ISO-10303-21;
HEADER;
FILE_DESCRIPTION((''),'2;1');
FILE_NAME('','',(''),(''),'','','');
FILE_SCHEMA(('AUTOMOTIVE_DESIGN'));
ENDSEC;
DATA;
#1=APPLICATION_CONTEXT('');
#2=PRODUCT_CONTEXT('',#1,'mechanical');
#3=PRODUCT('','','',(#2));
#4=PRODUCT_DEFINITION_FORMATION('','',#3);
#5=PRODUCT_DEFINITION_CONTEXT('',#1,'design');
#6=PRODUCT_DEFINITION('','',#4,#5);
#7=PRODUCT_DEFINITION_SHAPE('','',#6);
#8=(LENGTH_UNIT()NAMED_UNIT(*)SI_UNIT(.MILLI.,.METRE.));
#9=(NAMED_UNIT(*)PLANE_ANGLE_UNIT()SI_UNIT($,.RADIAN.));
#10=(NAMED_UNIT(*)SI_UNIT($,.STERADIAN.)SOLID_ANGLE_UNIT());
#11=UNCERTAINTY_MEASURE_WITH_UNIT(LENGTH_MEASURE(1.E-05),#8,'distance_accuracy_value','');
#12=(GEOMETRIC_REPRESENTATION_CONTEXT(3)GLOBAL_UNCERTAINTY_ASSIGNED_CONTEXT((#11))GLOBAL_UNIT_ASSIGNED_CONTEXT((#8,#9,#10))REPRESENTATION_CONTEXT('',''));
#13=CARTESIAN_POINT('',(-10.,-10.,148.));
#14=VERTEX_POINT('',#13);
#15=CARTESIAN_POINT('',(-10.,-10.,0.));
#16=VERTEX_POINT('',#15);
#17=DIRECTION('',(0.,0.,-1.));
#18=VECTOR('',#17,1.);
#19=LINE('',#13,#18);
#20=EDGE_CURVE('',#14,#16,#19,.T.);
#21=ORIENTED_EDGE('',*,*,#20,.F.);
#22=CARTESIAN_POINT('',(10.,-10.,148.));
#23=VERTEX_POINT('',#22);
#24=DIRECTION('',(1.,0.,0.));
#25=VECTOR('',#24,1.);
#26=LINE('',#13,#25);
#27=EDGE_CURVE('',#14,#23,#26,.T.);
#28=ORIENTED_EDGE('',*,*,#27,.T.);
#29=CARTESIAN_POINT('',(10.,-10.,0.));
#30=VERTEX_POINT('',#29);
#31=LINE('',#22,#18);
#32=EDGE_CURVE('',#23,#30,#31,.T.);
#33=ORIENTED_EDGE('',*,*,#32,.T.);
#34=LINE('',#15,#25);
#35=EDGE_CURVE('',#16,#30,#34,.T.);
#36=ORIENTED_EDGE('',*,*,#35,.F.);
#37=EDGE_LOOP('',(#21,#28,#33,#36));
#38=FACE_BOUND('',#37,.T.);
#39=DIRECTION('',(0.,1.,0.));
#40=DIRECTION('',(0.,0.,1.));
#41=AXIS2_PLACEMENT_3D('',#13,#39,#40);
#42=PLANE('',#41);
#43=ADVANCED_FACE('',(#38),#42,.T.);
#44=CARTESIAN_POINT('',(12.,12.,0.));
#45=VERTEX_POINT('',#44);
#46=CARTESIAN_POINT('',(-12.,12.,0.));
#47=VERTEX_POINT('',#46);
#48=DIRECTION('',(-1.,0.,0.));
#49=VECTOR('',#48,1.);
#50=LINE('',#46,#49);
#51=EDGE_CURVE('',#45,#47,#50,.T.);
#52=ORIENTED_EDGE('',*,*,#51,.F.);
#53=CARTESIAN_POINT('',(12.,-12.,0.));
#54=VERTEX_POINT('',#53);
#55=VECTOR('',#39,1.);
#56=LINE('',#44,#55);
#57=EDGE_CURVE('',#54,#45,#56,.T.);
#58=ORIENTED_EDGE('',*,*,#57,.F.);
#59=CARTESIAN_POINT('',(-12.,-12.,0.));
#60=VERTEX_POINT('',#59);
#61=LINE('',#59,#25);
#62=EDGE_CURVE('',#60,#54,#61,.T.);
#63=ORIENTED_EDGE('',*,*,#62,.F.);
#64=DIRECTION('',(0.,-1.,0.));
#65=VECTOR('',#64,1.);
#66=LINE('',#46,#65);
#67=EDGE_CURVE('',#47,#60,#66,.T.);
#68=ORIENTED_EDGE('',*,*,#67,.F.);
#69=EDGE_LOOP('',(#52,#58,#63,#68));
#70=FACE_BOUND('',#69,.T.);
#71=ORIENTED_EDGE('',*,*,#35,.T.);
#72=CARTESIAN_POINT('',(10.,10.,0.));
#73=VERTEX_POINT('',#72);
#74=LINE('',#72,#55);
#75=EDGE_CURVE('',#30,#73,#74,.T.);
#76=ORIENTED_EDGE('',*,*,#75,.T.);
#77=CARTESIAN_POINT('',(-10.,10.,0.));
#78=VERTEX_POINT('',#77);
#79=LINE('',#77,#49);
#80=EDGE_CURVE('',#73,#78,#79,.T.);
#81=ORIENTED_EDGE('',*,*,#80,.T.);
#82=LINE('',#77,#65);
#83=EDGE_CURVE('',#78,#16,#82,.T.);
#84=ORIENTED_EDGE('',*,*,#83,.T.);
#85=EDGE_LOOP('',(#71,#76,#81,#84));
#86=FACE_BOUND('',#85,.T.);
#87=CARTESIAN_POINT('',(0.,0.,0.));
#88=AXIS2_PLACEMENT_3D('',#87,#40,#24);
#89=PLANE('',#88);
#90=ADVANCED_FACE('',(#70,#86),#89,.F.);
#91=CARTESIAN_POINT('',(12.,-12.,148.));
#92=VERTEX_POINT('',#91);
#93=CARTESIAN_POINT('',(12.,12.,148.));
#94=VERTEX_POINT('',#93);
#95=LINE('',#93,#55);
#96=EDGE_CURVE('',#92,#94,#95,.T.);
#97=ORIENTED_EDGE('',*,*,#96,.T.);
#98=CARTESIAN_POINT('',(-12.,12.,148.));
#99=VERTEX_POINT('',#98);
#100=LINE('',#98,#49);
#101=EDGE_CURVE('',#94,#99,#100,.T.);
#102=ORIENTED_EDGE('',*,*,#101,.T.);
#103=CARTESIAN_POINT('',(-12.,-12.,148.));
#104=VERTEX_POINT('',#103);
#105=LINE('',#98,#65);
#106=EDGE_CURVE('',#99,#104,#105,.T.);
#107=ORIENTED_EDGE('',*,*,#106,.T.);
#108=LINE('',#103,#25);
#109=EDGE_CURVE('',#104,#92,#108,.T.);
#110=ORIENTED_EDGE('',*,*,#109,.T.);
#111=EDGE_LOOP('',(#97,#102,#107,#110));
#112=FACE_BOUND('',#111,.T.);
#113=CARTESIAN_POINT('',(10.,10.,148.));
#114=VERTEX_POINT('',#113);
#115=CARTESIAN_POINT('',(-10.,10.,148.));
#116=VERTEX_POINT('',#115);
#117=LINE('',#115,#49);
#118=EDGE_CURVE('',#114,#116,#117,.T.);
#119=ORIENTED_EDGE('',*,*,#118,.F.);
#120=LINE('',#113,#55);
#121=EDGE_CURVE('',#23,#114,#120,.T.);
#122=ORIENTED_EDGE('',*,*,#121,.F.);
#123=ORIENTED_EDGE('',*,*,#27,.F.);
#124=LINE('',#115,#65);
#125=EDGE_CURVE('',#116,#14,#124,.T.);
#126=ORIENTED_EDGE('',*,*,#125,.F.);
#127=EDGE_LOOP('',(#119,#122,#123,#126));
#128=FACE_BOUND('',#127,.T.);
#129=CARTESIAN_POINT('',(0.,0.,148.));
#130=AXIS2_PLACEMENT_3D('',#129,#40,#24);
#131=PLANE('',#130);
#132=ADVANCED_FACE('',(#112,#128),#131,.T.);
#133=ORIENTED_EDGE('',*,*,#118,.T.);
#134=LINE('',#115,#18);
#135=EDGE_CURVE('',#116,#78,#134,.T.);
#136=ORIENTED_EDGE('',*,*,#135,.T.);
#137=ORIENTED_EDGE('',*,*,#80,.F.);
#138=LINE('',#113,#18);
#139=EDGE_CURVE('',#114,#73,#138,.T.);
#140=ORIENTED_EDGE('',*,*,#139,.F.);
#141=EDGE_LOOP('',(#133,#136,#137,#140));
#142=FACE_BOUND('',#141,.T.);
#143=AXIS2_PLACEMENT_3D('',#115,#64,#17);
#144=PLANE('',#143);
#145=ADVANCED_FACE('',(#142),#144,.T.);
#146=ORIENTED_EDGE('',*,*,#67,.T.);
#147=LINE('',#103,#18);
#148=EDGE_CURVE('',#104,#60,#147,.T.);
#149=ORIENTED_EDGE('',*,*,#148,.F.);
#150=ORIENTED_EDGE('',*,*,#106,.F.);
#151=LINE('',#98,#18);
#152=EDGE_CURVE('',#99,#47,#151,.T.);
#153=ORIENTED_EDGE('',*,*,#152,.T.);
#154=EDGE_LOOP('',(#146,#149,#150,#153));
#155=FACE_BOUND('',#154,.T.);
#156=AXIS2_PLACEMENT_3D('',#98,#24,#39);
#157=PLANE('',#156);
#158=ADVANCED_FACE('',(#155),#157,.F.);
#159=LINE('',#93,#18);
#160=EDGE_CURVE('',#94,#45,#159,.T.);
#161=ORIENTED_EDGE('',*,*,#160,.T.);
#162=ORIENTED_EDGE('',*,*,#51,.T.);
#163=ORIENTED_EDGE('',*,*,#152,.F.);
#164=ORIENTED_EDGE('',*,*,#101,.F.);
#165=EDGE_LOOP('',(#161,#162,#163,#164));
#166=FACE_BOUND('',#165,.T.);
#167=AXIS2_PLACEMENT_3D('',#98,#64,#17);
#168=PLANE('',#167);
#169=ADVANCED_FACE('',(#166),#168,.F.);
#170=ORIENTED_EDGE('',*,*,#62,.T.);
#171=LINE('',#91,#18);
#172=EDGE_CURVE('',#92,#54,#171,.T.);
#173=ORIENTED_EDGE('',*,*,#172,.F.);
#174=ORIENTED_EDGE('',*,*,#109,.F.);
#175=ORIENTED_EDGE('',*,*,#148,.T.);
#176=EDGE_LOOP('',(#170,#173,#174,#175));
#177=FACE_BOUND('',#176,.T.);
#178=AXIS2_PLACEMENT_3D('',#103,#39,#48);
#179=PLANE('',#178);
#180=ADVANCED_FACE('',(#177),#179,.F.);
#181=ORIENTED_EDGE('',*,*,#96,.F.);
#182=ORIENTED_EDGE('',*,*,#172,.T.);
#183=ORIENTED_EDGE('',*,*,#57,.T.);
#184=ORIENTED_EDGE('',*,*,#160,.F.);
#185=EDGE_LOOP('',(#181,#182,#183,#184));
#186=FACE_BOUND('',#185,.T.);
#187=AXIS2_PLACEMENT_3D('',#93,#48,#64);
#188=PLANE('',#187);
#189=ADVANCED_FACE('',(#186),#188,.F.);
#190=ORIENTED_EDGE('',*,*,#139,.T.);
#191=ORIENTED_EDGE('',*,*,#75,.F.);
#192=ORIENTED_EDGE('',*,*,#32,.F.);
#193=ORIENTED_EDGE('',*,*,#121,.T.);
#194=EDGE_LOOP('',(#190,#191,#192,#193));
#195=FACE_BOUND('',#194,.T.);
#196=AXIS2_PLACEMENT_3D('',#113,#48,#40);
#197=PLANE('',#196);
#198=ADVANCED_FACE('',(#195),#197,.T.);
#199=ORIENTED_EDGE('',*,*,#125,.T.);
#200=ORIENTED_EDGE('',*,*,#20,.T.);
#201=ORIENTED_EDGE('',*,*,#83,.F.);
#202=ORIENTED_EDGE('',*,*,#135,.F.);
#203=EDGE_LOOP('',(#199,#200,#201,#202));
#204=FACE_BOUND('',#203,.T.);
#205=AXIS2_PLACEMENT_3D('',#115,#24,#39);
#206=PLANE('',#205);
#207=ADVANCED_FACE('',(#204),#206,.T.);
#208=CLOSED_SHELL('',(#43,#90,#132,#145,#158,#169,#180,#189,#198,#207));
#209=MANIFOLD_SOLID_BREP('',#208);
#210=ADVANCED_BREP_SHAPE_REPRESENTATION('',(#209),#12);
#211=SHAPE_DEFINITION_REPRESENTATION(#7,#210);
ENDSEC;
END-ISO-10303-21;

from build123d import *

# Parameters (mm, degrees)
SKETCH_1_W      = 24
SKETCH_1_H      = 24
SKETCH_1_W_2    = 20
SKETCH_1_H_2    = 20
EXTRUDE_1_DEPTH = 148


with BuildPart() as part:
    # 草图1 → 凸台-拉伸1 (new body)
    with BuildSketch(Plane.XY):
        Rectangle(SKETCH_1_W, SKETCH_1_H)
        Rectangle(SKETCH_1_W_2, SKETCH_1_H_2, mode=Mode.SUBTRACT)
    extrude(amount=EXTRUDE_1_DEPTH)


solid = part.part
